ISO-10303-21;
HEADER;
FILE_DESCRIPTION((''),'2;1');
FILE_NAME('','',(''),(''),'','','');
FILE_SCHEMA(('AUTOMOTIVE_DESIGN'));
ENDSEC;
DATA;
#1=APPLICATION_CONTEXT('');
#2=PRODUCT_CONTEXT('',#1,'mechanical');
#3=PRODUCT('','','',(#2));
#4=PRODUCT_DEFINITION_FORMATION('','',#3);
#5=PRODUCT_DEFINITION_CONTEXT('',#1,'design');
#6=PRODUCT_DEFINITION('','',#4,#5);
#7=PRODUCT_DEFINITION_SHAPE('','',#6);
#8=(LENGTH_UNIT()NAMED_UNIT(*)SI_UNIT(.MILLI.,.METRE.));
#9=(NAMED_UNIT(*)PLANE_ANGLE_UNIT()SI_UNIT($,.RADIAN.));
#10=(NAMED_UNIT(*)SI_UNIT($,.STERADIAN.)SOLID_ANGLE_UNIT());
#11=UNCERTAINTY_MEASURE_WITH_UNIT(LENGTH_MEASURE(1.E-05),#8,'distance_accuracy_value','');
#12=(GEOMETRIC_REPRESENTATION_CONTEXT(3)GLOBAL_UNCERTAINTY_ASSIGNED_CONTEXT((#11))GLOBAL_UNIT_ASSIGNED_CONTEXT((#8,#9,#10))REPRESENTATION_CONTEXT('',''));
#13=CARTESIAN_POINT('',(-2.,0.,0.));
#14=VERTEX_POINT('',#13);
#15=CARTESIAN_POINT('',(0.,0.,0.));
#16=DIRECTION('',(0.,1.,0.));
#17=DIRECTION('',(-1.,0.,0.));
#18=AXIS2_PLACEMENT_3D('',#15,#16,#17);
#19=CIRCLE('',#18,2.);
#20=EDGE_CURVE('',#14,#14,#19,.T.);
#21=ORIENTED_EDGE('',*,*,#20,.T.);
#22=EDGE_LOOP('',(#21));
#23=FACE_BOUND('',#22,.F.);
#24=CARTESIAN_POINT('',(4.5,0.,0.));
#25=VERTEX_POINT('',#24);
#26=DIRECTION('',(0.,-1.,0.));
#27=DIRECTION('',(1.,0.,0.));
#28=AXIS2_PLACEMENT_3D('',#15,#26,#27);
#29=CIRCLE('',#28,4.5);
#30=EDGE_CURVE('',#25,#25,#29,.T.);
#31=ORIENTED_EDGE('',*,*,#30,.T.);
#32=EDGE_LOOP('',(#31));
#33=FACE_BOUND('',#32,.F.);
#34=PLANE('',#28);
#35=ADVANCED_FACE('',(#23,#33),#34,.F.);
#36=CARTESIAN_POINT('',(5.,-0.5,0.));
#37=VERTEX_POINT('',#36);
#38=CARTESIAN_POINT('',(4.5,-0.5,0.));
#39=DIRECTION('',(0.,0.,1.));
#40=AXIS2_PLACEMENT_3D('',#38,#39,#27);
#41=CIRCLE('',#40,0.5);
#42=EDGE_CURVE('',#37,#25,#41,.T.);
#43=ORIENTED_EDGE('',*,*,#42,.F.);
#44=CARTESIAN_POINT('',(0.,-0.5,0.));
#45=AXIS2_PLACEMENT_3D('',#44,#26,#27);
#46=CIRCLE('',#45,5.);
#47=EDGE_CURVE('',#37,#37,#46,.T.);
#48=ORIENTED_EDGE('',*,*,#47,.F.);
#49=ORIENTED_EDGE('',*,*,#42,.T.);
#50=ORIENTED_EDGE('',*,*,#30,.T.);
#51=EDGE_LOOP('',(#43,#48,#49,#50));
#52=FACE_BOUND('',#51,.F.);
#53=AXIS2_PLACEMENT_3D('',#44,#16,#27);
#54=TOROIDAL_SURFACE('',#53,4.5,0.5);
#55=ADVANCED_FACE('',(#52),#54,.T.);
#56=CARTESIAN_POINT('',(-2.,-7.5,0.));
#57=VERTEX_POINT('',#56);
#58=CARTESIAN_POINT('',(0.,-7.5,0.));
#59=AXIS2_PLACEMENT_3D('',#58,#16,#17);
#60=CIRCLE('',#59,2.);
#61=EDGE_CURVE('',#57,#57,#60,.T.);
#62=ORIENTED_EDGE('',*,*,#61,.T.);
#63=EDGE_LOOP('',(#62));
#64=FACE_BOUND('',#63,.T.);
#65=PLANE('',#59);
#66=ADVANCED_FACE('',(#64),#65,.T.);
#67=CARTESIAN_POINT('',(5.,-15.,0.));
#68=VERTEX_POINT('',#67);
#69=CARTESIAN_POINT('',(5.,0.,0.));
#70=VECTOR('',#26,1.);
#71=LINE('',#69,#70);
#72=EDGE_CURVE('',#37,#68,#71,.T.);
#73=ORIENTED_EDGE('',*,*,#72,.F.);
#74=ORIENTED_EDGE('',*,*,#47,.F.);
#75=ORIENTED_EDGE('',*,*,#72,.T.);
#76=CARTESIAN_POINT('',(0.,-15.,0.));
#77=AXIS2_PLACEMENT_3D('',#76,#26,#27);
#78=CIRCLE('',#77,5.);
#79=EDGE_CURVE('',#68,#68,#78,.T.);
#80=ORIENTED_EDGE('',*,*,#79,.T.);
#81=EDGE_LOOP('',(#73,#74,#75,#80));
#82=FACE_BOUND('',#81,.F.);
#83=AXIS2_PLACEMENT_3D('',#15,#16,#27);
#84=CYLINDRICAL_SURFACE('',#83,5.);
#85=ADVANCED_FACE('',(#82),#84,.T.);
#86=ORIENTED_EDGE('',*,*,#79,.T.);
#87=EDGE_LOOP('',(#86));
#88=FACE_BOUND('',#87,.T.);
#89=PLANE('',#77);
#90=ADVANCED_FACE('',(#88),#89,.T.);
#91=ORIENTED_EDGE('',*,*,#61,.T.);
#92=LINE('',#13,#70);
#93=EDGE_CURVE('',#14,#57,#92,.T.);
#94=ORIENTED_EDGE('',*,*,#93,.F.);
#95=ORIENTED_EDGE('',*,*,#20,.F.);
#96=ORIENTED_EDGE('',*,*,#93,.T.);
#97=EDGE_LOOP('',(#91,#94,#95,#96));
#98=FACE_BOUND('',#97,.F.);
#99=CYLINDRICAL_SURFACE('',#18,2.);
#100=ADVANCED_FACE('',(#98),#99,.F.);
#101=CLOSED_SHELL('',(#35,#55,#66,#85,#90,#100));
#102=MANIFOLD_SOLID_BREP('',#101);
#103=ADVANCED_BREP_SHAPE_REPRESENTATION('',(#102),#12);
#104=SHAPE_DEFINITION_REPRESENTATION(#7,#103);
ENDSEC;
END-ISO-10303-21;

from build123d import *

# Parameters (mm, degrees)
F0_R     = 5
F1_DEPTH = 15
F2_R     = 0.5
F3_R     = 2
F4_DEPTH = 7.5


with BuildPart() as f1:
    # F0 (on Front) → F1 (new body)
    with BuildSketch(Plane.XZ):
        Circle(F0_R)
    extrude(amount=F1_DEPTH)

    # F2
    f2_edges = [f1.edges().sort_by_distance(p)[0] for p in [
        (-5, 0, 0),
    ]]
    fillet(f2_edges, radius=F2_R)

    # F3 (on face) → F4 (cut)
    with BuildSketch(Plane(origin=(0, 0, 0), x_dir=(-1, 0, 0), z_dir=(0, 1, 0))):
        Circle(F3_R)
    extrude(amount=-F4_DEPTH, mode=Mode.SUBTRACT)


solid = f1.part
